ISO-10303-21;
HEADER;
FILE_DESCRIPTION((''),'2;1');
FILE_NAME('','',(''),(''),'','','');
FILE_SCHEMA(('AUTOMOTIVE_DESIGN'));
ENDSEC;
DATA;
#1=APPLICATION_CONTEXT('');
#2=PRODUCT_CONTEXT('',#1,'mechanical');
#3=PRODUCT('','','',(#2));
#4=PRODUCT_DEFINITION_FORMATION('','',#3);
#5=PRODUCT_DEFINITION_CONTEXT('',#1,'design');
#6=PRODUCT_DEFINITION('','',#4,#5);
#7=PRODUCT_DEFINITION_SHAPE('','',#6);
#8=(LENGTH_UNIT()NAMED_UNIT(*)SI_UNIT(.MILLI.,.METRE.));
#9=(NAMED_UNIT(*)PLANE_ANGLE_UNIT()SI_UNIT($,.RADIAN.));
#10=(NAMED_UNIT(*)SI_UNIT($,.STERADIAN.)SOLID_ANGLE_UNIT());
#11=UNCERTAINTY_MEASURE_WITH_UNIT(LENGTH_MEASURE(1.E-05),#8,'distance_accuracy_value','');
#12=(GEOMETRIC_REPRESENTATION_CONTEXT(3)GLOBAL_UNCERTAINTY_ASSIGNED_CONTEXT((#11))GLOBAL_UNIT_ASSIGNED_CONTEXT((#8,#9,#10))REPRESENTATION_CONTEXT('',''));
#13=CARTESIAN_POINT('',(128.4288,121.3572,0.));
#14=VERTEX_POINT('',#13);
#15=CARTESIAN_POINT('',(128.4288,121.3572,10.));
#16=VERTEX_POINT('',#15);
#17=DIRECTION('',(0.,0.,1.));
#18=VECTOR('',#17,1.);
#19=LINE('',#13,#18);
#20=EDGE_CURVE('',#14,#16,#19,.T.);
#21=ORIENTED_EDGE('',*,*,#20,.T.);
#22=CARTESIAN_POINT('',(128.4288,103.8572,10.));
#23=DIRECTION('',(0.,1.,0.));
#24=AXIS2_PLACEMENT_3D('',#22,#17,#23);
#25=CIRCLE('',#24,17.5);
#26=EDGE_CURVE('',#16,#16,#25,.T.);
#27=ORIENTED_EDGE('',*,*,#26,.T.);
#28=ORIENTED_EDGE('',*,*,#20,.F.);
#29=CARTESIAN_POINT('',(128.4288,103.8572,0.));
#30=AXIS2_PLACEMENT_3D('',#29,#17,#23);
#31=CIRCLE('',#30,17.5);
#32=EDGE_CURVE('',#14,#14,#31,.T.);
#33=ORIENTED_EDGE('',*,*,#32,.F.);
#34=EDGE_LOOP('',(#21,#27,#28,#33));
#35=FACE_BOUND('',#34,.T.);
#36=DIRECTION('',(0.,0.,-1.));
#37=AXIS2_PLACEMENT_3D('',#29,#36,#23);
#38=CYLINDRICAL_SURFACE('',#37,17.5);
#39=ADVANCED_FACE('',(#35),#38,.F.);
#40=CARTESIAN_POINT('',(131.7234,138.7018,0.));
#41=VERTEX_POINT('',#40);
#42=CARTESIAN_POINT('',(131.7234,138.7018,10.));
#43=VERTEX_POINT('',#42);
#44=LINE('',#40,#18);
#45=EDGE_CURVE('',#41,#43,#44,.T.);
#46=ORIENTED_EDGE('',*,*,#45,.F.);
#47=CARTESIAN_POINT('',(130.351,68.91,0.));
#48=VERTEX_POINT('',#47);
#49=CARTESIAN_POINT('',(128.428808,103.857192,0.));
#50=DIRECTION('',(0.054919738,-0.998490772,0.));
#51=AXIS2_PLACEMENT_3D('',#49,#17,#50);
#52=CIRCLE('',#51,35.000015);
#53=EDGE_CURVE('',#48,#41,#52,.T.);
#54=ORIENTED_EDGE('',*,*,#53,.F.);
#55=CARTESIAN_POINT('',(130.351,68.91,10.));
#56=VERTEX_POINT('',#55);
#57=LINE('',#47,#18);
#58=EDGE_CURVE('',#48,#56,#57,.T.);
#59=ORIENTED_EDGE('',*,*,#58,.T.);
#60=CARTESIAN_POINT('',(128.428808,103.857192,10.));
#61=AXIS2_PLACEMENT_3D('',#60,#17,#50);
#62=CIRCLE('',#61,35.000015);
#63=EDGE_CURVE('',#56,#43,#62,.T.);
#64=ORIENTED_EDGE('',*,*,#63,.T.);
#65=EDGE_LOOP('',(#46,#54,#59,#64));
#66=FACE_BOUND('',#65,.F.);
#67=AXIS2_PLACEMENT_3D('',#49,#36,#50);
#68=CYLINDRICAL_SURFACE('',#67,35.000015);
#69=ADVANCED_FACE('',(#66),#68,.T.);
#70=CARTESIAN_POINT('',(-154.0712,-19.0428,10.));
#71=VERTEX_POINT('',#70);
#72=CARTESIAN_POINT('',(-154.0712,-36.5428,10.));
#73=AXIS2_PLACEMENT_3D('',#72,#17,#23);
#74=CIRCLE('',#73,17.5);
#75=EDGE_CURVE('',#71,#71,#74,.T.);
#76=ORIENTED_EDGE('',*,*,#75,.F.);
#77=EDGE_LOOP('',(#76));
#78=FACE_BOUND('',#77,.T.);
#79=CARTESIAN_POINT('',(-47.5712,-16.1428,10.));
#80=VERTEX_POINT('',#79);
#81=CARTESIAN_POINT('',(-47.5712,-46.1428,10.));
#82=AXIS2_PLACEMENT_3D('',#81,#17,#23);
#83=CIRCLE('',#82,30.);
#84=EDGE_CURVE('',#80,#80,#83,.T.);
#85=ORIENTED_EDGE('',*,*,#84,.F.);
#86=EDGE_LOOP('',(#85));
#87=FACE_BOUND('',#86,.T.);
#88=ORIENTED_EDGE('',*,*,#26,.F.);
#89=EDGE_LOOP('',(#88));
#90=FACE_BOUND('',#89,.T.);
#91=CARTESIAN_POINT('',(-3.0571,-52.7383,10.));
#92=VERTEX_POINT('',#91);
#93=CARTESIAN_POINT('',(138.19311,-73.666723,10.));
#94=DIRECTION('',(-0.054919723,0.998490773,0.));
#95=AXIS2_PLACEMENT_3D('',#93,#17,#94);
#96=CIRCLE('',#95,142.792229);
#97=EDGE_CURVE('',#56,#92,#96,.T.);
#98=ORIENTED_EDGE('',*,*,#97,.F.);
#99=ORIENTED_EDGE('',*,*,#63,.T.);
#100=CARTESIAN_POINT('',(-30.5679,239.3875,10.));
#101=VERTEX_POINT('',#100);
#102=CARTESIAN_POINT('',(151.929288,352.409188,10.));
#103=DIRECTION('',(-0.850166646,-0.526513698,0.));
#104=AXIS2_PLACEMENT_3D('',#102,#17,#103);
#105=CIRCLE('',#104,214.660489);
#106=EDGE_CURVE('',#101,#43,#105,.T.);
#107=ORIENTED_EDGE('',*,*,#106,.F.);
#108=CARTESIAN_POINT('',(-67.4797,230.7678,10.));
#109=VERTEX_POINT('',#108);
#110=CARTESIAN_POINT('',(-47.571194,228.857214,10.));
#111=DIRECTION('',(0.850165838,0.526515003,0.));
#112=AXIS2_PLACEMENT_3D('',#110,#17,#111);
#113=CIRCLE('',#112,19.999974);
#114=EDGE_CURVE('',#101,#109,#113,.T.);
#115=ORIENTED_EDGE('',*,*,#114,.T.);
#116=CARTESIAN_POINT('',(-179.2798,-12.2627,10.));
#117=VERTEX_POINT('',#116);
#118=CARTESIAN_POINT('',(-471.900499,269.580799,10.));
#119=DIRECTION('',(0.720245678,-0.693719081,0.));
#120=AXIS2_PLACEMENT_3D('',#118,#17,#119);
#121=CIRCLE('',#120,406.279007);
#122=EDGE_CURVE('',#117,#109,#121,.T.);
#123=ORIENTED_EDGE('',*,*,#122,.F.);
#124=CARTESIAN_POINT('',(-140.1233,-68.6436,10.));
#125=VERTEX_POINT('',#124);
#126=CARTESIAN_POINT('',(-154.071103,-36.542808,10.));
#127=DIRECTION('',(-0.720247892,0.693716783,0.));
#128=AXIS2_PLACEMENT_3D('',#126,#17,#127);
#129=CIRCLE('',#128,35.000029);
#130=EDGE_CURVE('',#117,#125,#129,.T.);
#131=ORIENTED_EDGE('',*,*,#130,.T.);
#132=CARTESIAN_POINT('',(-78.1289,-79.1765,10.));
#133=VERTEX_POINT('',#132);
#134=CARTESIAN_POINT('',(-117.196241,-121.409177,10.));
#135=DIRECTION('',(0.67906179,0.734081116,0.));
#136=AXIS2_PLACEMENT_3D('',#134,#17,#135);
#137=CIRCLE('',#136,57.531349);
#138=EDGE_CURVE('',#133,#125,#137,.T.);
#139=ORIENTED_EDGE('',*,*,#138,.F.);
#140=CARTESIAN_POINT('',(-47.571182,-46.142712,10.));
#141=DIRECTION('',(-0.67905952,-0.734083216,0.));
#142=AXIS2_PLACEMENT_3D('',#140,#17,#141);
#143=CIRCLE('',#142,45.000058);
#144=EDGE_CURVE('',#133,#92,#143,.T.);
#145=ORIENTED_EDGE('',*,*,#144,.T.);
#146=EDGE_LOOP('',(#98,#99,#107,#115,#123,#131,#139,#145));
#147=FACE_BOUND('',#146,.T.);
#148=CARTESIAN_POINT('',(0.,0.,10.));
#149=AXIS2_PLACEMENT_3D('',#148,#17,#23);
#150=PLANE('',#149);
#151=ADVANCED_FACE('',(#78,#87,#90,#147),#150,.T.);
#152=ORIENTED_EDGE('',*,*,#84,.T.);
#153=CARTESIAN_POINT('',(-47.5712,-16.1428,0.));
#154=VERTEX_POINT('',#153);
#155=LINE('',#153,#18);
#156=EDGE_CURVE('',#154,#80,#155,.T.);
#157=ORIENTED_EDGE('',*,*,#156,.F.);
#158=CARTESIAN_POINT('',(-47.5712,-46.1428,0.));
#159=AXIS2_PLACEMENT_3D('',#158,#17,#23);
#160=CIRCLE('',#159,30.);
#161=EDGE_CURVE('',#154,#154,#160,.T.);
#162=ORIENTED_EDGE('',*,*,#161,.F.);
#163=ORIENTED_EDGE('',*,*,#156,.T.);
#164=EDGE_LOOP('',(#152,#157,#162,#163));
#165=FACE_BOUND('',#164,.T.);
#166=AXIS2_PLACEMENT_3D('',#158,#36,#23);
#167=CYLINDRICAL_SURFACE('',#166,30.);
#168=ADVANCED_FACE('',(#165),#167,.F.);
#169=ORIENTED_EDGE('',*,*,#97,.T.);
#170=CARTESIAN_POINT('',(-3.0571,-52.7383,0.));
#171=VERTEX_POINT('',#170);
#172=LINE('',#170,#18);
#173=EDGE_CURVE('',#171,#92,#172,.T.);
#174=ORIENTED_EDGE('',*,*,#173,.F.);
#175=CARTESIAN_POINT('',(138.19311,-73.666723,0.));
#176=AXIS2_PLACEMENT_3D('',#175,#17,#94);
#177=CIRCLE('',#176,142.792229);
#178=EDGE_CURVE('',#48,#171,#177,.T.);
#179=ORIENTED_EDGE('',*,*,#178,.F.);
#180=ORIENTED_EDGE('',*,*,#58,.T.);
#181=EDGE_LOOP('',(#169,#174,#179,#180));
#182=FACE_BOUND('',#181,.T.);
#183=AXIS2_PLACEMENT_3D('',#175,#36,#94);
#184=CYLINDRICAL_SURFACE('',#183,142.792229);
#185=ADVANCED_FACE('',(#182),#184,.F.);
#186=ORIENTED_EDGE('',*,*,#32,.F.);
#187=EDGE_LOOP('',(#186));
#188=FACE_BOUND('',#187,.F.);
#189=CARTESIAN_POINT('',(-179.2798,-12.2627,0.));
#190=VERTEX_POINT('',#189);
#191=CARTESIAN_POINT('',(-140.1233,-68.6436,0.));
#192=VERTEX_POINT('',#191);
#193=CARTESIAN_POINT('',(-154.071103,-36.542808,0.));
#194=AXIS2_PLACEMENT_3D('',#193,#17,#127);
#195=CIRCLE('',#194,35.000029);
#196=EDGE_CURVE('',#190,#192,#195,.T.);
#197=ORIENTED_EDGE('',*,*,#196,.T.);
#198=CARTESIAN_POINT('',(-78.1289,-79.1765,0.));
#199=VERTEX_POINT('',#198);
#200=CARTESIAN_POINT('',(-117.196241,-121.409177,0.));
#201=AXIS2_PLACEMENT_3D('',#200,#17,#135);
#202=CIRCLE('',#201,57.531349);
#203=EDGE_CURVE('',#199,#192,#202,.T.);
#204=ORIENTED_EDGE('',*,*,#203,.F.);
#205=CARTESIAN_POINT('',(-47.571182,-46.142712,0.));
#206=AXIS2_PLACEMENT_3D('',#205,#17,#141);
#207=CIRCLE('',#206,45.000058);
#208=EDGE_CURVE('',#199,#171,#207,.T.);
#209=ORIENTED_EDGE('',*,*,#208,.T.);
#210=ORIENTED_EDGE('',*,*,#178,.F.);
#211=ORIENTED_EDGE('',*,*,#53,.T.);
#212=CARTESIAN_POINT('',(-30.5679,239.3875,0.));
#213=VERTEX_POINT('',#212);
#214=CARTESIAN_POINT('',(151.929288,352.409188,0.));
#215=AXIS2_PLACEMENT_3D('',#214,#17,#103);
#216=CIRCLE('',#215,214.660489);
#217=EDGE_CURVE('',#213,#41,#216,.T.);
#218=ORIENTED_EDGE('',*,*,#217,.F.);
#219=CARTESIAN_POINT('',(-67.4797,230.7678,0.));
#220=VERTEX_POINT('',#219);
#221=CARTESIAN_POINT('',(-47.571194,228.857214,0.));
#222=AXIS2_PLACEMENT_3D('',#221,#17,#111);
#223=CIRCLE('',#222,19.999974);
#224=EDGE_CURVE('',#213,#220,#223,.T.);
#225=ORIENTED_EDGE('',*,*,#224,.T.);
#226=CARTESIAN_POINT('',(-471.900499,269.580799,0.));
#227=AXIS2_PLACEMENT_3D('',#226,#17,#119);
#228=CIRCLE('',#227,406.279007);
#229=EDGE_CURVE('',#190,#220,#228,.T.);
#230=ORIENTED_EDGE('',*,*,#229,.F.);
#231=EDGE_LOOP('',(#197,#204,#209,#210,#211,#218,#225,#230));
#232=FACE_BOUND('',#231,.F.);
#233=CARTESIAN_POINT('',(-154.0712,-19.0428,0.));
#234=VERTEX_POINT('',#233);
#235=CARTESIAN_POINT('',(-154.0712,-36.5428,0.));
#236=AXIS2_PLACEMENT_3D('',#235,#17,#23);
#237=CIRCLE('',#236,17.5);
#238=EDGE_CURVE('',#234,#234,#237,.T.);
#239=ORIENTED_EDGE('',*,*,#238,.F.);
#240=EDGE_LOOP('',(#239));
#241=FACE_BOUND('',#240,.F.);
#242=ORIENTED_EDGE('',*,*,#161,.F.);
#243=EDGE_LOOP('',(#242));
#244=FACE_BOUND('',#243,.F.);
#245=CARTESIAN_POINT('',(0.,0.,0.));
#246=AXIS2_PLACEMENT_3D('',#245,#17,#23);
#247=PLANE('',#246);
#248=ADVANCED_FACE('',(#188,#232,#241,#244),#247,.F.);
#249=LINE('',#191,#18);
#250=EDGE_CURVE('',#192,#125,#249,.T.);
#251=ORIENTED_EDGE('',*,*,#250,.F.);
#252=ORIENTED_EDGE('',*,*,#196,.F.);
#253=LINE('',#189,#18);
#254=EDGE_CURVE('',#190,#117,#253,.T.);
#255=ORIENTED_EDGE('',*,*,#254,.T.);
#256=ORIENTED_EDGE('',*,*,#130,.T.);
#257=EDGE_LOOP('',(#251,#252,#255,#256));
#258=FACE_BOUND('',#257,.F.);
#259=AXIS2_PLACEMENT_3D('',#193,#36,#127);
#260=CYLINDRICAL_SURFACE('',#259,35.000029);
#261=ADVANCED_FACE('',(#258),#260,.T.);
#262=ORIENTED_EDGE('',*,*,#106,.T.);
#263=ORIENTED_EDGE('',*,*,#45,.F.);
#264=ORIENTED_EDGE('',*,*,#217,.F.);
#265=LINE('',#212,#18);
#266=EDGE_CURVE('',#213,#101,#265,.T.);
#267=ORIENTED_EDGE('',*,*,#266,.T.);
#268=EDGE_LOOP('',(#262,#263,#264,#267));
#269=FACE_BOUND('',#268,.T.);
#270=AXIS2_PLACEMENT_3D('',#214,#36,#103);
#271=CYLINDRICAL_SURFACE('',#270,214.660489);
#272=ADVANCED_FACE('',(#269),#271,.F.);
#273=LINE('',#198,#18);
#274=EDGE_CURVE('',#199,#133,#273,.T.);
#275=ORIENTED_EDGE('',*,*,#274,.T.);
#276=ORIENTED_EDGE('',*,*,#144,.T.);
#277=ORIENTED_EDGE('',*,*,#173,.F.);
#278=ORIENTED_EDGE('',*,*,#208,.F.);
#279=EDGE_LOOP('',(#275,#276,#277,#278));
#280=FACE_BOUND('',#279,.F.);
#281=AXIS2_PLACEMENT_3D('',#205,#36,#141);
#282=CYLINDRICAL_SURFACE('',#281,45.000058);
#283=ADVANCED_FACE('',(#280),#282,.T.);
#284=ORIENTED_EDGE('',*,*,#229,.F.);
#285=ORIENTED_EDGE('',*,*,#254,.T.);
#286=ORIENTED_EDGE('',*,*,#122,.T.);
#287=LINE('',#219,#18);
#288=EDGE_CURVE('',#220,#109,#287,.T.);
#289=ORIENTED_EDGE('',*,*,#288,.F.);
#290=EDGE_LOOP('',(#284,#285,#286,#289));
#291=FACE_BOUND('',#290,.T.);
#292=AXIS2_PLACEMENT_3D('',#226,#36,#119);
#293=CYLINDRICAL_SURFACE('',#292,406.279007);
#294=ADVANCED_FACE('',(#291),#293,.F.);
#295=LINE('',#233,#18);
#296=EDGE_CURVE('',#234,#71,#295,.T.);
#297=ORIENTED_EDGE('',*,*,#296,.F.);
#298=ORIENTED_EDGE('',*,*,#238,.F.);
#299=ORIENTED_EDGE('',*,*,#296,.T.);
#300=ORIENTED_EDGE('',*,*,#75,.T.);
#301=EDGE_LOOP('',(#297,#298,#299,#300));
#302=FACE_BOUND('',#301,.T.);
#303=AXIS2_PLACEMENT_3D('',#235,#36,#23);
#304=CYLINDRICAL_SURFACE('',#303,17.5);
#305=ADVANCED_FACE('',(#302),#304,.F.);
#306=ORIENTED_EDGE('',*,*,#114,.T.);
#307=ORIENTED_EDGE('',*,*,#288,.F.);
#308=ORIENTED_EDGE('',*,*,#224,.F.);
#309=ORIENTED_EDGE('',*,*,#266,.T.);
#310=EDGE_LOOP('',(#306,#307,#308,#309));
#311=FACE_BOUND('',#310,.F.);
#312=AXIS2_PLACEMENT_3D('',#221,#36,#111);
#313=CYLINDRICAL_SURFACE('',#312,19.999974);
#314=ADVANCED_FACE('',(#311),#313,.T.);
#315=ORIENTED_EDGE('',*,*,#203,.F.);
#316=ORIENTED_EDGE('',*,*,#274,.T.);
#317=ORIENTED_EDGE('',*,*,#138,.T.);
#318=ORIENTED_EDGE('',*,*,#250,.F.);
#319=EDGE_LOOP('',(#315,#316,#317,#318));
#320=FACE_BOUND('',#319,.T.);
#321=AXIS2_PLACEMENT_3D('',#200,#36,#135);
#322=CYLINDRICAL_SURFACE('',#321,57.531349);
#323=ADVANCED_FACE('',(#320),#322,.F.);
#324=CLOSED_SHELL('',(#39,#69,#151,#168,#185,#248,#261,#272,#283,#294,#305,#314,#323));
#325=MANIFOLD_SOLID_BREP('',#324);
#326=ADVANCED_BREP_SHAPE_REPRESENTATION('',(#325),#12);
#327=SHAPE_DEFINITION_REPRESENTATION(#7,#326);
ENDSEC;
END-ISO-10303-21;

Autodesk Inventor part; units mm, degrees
ref_plane "YZ Plane" through (0, 0, 0) normal (1, 0, 0) x (0, 1, 0)
ref_plane "XZ Plane" through (0, 0, 0) normal (0, 1, 0) x (-1, 0, 0)
ref_plane "XY Plane" through (0, 0, 0) normal (0, 0, 1) x (1, 0, 0)
sketch "Sketch1" plane through (0, 0, 0) normal (0, 0, 1) x (0, 1, 0)
  circle A0 centre (103.8572, -128.4288) radius 17.5
  circle A1 centre (-46.1428, 47.5712) radius 30
  circle A2 centre (-36.5428, 154.0712) radius 17.5
  arc A3 (-12.2627, 179.2798) -> (-68.6436, 140.1233) centre (-36.5428, 154.0712) ccw
  arc A4 (-79.1765, 78.1289) -> (-52.7383, 3.0571) centre (-46.1428, 47.5712) ccw
  arc A5 (68.91, -130.351) -> (138.7018, -131.7234) centre (103.8572, -128.4288) ccw
  arc A6 (239.3875, 30.5679) -> (230.7678, 67.4797) centre (228.8572, 47.5712) ccw
  arc A7 (-79.1765, 78.1289) -> (-68.6436, 140.1233) centre (-121.4095, 117.1964) ccw
  arc A8 (68.91, -130.351) -> (-52.7383, 3.0571) centre (-73.6667, -138.1931) ccw
  arc A9 (239.3875, 30.5679) -> (138.7018, -131.7234) centre (352.4092, -151.9293) ccw
  arc A10 (-12.2627, 179.2798) -> (230.7678, 67.4797) centre (269.5808, 471.9005) ccw
  dimension "d0" = 106.5
  dimension "d1" = 176
  dimension "d2" = 150
  dimension "d3" = 9.6
  dimension "d4" = 275
  dimension "d5" = 60
  dimension "d6" = 35
  dimension "d7" = 35
  dimension "d8" = 35
  dimension "d9" = 35
  dimension "d10" = 45
  dimension "d11" = 20
extrude "Extrusion1" add sketch "Sketch1" along normal blind 10
properties part number "3136 1133 85" material "Steel, Mild"
